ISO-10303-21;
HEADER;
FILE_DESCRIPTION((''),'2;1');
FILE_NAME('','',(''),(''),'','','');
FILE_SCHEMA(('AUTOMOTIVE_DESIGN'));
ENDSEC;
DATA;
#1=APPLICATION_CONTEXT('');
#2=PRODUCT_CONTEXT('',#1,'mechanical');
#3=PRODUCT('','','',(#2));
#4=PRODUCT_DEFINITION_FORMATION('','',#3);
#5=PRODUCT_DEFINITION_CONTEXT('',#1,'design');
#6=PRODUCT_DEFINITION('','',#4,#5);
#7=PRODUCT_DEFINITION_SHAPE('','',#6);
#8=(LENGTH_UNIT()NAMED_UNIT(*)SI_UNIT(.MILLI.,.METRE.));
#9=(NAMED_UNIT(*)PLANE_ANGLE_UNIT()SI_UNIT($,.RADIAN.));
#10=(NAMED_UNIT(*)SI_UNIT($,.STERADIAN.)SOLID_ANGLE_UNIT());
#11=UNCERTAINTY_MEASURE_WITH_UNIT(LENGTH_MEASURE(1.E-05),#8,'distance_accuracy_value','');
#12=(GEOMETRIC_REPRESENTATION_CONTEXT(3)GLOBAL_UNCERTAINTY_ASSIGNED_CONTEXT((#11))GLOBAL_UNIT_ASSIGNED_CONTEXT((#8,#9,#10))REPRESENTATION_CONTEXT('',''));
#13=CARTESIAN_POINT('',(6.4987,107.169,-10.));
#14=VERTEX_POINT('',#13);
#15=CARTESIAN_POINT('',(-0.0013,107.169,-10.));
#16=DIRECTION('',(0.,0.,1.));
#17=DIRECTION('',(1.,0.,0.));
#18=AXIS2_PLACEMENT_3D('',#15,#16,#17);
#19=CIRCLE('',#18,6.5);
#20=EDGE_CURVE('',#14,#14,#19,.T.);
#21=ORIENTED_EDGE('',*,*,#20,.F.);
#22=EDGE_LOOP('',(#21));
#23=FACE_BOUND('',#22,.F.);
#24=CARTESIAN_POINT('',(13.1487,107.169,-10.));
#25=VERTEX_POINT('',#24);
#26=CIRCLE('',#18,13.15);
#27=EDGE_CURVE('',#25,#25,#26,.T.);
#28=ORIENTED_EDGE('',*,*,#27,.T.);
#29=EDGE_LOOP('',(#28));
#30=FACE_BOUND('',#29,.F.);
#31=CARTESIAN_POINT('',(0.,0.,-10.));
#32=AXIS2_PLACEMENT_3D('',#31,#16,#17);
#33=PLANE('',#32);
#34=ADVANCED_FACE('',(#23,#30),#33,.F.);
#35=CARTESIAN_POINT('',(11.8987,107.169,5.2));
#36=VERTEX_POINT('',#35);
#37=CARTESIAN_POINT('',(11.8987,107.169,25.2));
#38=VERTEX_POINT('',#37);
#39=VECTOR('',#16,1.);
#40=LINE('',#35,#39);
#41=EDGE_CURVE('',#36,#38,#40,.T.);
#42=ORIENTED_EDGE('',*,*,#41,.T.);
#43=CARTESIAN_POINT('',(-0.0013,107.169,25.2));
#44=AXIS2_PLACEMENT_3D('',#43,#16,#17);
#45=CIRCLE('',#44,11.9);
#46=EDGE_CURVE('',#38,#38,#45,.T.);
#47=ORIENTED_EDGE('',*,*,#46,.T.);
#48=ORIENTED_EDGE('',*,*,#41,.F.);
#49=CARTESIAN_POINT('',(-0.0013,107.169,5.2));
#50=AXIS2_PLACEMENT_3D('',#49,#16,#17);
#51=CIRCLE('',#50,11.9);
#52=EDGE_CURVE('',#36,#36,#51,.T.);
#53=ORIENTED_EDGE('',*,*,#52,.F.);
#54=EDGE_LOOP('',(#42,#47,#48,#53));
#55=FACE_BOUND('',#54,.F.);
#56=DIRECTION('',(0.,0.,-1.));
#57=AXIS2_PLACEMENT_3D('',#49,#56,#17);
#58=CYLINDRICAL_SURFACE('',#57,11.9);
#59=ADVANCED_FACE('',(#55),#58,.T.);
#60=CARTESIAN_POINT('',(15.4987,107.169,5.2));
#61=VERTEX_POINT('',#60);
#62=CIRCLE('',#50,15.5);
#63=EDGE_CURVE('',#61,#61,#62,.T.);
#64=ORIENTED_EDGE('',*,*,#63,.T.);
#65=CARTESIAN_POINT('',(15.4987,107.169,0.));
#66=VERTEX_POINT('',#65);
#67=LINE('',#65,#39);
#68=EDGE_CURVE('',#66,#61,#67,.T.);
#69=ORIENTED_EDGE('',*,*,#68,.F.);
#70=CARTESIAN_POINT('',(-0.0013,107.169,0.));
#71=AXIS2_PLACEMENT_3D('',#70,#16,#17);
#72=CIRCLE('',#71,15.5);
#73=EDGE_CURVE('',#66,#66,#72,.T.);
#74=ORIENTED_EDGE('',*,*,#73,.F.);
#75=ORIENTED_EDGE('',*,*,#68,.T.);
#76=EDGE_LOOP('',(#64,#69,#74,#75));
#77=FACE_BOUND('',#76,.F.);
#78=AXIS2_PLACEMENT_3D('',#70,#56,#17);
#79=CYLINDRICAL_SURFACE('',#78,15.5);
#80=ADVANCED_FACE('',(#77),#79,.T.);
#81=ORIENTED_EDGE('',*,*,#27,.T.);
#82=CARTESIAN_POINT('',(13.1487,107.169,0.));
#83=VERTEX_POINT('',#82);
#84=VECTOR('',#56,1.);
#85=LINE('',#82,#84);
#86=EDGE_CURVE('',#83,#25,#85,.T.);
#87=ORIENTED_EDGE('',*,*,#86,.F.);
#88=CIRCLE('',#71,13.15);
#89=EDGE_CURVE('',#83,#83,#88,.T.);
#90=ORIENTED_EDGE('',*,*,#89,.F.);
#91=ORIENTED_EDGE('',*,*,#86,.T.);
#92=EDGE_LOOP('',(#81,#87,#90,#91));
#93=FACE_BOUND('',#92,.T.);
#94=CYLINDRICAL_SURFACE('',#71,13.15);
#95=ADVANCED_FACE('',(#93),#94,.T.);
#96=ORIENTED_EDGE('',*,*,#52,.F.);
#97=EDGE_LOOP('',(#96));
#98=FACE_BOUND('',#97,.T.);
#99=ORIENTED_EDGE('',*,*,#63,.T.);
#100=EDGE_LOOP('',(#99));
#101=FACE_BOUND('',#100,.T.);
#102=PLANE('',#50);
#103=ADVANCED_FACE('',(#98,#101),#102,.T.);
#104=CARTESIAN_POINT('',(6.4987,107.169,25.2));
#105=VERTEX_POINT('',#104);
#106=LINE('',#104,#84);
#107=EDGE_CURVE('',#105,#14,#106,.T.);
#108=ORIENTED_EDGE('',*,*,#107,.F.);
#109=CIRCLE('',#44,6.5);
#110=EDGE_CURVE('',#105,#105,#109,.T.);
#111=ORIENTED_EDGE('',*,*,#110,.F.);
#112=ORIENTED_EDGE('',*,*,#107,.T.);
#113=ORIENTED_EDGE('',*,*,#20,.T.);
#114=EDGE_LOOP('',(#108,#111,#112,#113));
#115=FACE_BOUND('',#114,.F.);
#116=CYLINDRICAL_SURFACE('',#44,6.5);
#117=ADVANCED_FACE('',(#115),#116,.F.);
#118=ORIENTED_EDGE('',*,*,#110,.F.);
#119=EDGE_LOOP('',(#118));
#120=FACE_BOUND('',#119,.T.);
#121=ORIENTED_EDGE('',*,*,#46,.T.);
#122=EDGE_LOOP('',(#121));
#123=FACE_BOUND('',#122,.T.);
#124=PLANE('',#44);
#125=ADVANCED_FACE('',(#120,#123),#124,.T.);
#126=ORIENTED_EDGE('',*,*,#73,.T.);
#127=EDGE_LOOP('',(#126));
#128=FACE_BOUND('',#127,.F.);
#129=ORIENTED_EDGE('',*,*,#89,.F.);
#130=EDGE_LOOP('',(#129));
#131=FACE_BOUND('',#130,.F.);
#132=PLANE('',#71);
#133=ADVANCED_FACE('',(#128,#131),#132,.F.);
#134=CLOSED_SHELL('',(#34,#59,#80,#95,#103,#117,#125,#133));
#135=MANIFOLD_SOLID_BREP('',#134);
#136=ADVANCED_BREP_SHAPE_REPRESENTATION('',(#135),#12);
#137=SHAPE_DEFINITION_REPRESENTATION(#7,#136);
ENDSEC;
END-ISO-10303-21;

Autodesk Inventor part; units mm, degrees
ref_plane "YZ Plane" through (0, 0, 0) normal (1, 0, 0) x (0, 1, 0)
ref_plane "XZ Plane" through (0, 0, 0) normal (0, 1, 0) x (-1, 0, 0)
ref_plane "XY Plane" through (0, 0, 0) normal (0, 0, 1) x (1, 0, 0)
ref_plane "РабПлоскость1" through (0, 0, 0) normal (0, 0, 1) x (1, 0, 0)
sketch "Эскиз1" plane through (0, 0, 0) normal (0, 0, 1) x (1, 0, 0)
  circle A0 centre (-0.0013, 107.169) radius 13.15
  circle A1 centre (-0.0025, 107.6908) radius 11.9 projected
  point P0 (0, 0)
extrude "Выдавливание1" add sketch "Эскиз1" against normal blind 10 contours A0 | A1
sketch "Эскиз2" plane through (-0.0013, 107.169, 0) normal (0, 0, 1) x (1, 0, 0)
  circle A0 centre (0, 0) radius 15.5
  point P0 (0.0013, -107.169)
  dimension "d2" = 31
extrude "Выдавливание2" add sketch "Эскиз2" along normal blind 5.2
sketch "Эскиз3" plane through (-0.0013, 107.169, 5.2) normal (0, 0, 1) x (1, 0, 0)
  circle A0 centre (0, 0) radius 11.9
  point P0 (0.0013, -107.169)
  dimension "d5" = 23.8
extrude "Выдавливание3" add sketch "Эскиз3" along normal blind 20
sketch "Эскиз4" plane through (-0.0013, 107.169, 25.2) normal (0, 0, 1) x (1, 0, 0)
  circle A0 centre (0, 0) radius 6.5
  point P0 (0.0013, -107.169)
  dimension "d8" = 13
extrude "Выдавливание4" cut sketch "Эскиз4" against normal up to next
properties part number "Ось"
